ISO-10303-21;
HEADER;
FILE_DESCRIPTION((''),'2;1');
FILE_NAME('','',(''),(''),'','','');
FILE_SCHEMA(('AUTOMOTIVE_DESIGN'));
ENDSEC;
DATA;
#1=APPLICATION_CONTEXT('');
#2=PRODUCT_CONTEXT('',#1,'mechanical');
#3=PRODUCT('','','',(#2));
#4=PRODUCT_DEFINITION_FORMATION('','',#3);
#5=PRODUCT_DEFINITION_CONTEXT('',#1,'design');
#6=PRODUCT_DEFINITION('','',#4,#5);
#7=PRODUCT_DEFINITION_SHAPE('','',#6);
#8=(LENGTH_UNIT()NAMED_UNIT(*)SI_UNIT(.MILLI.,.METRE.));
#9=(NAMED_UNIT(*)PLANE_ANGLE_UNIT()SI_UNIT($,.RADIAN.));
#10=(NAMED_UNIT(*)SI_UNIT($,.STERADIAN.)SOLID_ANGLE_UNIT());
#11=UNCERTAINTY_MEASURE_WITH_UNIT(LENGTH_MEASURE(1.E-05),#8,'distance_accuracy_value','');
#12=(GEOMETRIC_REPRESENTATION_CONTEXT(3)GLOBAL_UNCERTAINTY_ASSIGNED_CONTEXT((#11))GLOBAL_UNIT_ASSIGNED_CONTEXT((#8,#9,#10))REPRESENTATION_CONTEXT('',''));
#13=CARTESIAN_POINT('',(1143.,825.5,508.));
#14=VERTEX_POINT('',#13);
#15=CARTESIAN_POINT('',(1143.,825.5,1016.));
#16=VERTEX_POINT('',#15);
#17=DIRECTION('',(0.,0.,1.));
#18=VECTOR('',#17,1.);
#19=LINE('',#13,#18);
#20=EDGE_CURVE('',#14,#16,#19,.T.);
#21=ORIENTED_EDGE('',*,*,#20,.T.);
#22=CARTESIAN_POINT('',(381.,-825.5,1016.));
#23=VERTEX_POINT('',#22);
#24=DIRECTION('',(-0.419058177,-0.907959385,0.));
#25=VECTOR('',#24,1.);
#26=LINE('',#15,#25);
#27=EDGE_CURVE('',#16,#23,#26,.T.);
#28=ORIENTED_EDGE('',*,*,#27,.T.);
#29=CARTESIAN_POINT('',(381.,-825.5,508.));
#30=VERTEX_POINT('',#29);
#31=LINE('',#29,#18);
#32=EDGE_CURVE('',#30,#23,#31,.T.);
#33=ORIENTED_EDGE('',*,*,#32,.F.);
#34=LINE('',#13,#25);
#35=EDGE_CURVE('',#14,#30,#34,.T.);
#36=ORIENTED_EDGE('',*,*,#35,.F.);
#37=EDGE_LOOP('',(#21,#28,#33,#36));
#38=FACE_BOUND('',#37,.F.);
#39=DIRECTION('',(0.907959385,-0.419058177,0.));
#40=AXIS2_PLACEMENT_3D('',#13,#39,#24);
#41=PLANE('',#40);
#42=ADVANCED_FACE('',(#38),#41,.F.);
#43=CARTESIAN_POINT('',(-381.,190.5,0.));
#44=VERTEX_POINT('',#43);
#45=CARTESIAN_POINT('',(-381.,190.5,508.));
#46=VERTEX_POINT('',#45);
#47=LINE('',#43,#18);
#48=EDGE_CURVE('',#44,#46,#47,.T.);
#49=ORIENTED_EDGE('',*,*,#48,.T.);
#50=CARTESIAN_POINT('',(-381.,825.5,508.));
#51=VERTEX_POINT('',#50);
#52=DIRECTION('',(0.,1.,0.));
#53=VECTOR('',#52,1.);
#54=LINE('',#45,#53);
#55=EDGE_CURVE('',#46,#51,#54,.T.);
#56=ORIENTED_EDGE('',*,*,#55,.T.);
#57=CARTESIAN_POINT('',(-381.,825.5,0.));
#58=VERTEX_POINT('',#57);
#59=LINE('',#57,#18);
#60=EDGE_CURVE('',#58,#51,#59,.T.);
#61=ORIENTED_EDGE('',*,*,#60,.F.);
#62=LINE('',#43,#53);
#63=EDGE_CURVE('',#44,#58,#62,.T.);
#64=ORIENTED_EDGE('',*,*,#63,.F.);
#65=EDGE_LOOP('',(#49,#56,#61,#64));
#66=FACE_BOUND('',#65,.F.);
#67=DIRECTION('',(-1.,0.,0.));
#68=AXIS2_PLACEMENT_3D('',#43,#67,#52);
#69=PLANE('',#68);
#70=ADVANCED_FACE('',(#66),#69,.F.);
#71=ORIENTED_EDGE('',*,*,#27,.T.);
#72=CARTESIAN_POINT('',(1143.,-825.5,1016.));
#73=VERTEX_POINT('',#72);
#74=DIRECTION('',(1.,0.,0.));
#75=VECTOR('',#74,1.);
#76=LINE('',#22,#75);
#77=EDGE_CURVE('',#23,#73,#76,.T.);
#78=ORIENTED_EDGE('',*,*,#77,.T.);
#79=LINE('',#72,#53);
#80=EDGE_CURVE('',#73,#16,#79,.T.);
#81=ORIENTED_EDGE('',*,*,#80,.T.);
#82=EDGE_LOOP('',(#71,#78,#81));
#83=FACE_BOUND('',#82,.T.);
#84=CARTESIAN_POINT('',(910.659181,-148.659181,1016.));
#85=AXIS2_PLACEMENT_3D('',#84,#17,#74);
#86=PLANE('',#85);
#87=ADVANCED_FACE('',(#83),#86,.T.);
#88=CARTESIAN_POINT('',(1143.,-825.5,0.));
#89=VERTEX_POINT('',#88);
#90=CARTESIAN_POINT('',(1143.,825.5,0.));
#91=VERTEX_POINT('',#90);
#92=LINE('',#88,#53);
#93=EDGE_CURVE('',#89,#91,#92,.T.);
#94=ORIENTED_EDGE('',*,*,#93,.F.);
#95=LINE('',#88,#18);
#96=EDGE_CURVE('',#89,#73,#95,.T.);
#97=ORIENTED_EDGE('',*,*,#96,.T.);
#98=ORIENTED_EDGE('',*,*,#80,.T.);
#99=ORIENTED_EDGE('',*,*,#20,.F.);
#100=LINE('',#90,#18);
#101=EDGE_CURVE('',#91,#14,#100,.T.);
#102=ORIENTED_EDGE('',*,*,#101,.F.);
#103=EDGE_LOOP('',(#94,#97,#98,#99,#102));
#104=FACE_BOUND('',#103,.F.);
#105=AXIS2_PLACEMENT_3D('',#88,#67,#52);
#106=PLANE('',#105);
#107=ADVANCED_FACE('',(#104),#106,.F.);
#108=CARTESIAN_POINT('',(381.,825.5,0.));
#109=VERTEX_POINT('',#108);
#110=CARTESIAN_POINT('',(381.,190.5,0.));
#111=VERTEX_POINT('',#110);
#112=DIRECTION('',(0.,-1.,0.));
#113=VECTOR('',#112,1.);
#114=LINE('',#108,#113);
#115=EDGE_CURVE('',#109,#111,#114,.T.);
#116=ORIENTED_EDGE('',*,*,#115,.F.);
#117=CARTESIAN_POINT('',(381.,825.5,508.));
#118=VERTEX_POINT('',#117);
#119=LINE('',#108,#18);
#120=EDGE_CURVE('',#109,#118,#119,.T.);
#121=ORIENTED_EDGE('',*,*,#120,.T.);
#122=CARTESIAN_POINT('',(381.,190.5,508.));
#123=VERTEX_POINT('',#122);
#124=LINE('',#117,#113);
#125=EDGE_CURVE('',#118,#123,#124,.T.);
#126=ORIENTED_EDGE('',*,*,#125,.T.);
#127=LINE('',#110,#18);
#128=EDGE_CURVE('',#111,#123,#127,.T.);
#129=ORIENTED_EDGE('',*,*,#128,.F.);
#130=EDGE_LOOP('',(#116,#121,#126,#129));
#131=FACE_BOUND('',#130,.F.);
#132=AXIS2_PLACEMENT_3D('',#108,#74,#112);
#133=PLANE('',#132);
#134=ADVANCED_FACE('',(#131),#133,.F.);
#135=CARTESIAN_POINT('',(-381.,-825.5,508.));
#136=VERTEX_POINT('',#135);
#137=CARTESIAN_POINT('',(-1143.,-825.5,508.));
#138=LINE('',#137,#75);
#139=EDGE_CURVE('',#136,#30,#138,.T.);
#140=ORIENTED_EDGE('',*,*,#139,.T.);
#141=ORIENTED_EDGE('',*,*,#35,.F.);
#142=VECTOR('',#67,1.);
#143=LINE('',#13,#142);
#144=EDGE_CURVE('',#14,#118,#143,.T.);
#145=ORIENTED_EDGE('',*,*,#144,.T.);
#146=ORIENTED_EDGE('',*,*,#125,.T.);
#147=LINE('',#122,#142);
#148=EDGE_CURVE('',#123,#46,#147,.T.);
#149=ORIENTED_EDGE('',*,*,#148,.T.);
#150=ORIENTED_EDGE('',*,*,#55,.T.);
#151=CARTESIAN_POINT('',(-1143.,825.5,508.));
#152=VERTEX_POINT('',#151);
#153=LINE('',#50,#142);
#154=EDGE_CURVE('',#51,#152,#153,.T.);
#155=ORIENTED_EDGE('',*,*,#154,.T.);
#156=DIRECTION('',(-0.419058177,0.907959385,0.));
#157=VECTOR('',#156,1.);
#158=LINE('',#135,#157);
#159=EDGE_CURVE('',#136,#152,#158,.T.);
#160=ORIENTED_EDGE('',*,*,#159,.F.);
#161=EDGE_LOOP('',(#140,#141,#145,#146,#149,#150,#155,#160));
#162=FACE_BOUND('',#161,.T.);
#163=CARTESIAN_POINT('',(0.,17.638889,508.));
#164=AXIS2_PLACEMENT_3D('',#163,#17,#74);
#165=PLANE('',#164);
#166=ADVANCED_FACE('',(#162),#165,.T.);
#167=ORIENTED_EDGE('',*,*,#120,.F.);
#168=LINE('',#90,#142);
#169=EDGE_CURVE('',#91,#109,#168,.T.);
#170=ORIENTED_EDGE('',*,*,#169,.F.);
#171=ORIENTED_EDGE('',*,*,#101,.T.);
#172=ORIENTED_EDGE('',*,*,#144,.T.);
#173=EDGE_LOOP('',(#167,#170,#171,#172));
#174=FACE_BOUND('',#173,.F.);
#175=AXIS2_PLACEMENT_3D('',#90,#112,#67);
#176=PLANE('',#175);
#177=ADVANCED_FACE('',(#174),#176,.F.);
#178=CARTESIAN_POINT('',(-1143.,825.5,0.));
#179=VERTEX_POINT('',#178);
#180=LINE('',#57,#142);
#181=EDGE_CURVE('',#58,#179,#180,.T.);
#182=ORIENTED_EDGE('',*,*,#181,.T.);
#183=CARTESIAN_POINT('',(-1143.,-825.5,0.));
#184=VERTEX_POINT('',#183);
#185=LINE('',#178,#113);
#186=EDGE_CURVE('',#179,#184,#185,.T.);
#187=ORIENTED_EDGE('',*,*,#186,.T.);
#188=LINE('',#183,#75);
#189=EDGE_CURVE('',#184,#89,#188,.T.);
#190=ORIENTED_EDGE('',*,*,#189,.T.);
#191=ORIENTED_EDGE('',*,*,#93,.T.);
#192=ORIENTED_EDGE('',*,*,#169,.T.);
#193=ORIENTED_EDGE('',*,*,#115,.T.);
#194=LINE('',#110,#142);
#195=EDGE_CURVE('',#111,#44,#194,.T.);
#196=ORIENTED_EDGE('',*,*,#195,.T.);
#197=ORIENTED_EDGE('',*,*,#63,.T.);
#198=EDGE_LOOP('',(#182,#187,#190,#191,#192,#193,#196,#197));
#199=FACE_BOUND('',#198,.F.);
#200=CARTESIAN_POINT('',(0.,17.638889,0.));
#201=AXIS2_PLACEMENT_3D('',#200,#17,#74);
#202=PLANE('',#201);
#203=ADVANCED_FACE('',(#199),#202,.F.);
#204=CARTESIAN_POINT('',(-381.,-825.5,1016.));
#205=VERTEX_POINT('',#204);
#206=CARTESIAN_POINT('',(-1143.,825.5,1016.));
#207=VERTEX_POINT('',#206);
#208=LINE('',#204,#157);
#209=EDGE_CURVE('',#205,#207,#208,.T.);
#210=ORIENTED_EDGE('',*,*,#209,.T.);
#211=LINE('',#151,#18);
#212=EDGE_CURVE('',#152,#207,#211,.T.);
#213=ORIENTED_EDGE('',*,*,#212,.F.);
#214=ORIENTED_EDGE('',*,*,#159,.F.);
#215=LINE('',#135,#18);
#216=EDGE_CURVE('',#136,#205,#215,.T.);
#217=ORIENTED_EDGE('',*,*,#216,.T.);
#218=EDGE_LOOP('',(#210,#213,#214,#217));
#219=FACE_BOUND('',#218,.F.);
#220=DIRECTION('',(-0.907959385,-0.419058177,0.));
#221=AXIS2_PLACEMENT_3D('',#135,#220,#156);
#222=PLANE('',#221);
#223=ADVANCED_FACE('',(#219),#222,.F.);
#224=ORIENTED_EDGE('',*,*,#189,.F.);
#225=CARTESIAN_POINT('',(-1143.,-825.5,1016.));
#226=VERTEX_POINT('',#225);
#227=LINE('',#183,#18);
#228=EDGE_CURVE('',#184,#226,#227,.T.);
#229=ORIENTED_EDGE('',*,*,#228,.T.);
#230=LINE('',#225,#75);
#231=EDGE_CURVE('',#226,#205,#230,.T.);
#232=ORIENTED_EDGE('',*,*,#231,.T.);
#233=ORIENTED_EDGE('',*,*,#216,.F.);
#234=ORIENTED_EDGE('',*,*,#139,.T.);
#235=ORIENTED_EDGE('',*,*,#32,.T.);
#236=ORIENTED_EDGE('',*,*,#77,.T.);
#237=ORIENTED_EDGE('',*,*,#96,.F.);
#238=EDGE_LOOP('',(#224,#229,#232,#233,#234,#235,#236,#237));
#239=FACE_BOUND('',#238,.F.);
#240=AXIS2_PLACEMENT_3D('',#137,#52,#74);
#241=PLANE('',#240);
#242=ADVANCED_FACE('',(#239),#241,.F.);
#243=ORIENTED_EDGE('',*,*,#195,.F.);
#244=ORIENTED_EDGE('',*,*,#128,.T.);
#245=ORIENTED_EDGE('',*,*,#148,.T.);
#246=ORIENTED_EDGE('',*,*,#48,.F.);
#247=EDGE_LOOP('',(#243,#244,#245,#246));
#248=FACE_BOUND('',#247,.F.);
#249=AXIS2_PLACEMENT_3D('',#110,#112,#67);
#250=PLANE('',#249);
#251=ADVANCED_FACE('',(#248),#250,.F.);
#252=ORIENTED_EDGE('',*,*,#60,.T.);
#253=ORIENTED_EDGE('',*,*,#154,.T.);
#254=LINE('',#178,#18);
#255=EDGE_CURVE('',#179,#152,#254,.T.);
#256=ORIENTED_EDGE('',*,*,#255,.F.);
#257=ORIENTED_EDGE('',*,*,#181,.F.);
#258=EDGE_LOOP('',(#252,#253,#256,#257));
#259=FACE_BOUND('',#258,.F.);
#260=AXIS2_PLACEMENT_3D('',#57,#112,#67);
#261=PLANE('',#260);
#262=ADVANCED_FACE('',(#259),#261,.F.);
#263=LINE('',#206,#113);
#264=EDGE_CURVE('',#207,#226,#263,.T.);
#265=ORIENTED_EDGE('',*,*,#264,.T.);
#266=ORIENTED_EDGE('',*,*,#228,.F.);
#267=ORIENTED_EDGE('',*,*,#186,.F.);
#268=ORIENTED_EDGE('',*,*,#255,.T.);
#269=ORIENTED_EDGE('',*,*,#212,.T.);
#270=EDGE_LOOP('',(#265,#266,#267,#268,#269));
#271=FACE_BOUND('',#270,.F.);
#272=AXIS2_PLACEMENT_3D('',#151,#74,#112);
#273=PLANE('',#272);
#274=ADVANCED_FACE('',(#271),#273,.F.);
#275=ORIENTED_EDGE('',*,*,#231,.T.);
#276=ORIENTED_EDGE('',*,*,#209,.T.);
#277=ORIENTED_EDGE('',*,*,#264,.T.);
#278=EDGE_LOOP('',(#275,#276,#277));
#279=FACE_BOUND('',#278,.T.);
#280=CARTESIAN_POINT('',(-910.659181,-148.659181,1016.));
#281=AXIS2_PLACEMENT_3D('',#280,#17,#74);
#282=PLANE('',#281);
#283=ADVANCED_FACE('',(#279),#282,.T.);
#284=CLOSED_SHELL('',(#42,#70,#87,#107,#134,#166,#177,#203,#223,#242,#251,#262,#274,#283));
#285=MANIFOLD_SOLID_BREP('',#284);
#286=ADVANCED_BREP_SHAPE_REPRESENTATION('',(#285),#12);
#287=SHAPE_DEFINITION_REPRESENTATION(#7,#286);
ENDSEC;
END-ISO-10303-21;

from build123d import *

# Parameters (mm, degrees)
F1_DEPTH = 508
F3_DEPTH = 508


with BuildPart() as f1:
    # F0 (on Top) → F1 (new body)
    with BuildSketch(Plane.XY):
        Polygon((-1143, -825.5), (1143, -825.5), (1143, 825.5), (381, 825.5), (381, 190.5), (-381, 190.5), (-381, 825.5), (-1143, 825.5), align=None)
    extrude(amount=F1_DEPTH)

    # F2 (on face) → F3 (join)
    with BuildSketch(Plane.XY.offset(508)):
        Polygon((-1143, 825.5), (-1143, -825.5), (-381, -825.5), align=None)
        Polygon((1143, 825.5), (381, -825.5), (1143, -825.5), align=None)
    extrude(amount=F3_DEPTH)


solid = f1.part
